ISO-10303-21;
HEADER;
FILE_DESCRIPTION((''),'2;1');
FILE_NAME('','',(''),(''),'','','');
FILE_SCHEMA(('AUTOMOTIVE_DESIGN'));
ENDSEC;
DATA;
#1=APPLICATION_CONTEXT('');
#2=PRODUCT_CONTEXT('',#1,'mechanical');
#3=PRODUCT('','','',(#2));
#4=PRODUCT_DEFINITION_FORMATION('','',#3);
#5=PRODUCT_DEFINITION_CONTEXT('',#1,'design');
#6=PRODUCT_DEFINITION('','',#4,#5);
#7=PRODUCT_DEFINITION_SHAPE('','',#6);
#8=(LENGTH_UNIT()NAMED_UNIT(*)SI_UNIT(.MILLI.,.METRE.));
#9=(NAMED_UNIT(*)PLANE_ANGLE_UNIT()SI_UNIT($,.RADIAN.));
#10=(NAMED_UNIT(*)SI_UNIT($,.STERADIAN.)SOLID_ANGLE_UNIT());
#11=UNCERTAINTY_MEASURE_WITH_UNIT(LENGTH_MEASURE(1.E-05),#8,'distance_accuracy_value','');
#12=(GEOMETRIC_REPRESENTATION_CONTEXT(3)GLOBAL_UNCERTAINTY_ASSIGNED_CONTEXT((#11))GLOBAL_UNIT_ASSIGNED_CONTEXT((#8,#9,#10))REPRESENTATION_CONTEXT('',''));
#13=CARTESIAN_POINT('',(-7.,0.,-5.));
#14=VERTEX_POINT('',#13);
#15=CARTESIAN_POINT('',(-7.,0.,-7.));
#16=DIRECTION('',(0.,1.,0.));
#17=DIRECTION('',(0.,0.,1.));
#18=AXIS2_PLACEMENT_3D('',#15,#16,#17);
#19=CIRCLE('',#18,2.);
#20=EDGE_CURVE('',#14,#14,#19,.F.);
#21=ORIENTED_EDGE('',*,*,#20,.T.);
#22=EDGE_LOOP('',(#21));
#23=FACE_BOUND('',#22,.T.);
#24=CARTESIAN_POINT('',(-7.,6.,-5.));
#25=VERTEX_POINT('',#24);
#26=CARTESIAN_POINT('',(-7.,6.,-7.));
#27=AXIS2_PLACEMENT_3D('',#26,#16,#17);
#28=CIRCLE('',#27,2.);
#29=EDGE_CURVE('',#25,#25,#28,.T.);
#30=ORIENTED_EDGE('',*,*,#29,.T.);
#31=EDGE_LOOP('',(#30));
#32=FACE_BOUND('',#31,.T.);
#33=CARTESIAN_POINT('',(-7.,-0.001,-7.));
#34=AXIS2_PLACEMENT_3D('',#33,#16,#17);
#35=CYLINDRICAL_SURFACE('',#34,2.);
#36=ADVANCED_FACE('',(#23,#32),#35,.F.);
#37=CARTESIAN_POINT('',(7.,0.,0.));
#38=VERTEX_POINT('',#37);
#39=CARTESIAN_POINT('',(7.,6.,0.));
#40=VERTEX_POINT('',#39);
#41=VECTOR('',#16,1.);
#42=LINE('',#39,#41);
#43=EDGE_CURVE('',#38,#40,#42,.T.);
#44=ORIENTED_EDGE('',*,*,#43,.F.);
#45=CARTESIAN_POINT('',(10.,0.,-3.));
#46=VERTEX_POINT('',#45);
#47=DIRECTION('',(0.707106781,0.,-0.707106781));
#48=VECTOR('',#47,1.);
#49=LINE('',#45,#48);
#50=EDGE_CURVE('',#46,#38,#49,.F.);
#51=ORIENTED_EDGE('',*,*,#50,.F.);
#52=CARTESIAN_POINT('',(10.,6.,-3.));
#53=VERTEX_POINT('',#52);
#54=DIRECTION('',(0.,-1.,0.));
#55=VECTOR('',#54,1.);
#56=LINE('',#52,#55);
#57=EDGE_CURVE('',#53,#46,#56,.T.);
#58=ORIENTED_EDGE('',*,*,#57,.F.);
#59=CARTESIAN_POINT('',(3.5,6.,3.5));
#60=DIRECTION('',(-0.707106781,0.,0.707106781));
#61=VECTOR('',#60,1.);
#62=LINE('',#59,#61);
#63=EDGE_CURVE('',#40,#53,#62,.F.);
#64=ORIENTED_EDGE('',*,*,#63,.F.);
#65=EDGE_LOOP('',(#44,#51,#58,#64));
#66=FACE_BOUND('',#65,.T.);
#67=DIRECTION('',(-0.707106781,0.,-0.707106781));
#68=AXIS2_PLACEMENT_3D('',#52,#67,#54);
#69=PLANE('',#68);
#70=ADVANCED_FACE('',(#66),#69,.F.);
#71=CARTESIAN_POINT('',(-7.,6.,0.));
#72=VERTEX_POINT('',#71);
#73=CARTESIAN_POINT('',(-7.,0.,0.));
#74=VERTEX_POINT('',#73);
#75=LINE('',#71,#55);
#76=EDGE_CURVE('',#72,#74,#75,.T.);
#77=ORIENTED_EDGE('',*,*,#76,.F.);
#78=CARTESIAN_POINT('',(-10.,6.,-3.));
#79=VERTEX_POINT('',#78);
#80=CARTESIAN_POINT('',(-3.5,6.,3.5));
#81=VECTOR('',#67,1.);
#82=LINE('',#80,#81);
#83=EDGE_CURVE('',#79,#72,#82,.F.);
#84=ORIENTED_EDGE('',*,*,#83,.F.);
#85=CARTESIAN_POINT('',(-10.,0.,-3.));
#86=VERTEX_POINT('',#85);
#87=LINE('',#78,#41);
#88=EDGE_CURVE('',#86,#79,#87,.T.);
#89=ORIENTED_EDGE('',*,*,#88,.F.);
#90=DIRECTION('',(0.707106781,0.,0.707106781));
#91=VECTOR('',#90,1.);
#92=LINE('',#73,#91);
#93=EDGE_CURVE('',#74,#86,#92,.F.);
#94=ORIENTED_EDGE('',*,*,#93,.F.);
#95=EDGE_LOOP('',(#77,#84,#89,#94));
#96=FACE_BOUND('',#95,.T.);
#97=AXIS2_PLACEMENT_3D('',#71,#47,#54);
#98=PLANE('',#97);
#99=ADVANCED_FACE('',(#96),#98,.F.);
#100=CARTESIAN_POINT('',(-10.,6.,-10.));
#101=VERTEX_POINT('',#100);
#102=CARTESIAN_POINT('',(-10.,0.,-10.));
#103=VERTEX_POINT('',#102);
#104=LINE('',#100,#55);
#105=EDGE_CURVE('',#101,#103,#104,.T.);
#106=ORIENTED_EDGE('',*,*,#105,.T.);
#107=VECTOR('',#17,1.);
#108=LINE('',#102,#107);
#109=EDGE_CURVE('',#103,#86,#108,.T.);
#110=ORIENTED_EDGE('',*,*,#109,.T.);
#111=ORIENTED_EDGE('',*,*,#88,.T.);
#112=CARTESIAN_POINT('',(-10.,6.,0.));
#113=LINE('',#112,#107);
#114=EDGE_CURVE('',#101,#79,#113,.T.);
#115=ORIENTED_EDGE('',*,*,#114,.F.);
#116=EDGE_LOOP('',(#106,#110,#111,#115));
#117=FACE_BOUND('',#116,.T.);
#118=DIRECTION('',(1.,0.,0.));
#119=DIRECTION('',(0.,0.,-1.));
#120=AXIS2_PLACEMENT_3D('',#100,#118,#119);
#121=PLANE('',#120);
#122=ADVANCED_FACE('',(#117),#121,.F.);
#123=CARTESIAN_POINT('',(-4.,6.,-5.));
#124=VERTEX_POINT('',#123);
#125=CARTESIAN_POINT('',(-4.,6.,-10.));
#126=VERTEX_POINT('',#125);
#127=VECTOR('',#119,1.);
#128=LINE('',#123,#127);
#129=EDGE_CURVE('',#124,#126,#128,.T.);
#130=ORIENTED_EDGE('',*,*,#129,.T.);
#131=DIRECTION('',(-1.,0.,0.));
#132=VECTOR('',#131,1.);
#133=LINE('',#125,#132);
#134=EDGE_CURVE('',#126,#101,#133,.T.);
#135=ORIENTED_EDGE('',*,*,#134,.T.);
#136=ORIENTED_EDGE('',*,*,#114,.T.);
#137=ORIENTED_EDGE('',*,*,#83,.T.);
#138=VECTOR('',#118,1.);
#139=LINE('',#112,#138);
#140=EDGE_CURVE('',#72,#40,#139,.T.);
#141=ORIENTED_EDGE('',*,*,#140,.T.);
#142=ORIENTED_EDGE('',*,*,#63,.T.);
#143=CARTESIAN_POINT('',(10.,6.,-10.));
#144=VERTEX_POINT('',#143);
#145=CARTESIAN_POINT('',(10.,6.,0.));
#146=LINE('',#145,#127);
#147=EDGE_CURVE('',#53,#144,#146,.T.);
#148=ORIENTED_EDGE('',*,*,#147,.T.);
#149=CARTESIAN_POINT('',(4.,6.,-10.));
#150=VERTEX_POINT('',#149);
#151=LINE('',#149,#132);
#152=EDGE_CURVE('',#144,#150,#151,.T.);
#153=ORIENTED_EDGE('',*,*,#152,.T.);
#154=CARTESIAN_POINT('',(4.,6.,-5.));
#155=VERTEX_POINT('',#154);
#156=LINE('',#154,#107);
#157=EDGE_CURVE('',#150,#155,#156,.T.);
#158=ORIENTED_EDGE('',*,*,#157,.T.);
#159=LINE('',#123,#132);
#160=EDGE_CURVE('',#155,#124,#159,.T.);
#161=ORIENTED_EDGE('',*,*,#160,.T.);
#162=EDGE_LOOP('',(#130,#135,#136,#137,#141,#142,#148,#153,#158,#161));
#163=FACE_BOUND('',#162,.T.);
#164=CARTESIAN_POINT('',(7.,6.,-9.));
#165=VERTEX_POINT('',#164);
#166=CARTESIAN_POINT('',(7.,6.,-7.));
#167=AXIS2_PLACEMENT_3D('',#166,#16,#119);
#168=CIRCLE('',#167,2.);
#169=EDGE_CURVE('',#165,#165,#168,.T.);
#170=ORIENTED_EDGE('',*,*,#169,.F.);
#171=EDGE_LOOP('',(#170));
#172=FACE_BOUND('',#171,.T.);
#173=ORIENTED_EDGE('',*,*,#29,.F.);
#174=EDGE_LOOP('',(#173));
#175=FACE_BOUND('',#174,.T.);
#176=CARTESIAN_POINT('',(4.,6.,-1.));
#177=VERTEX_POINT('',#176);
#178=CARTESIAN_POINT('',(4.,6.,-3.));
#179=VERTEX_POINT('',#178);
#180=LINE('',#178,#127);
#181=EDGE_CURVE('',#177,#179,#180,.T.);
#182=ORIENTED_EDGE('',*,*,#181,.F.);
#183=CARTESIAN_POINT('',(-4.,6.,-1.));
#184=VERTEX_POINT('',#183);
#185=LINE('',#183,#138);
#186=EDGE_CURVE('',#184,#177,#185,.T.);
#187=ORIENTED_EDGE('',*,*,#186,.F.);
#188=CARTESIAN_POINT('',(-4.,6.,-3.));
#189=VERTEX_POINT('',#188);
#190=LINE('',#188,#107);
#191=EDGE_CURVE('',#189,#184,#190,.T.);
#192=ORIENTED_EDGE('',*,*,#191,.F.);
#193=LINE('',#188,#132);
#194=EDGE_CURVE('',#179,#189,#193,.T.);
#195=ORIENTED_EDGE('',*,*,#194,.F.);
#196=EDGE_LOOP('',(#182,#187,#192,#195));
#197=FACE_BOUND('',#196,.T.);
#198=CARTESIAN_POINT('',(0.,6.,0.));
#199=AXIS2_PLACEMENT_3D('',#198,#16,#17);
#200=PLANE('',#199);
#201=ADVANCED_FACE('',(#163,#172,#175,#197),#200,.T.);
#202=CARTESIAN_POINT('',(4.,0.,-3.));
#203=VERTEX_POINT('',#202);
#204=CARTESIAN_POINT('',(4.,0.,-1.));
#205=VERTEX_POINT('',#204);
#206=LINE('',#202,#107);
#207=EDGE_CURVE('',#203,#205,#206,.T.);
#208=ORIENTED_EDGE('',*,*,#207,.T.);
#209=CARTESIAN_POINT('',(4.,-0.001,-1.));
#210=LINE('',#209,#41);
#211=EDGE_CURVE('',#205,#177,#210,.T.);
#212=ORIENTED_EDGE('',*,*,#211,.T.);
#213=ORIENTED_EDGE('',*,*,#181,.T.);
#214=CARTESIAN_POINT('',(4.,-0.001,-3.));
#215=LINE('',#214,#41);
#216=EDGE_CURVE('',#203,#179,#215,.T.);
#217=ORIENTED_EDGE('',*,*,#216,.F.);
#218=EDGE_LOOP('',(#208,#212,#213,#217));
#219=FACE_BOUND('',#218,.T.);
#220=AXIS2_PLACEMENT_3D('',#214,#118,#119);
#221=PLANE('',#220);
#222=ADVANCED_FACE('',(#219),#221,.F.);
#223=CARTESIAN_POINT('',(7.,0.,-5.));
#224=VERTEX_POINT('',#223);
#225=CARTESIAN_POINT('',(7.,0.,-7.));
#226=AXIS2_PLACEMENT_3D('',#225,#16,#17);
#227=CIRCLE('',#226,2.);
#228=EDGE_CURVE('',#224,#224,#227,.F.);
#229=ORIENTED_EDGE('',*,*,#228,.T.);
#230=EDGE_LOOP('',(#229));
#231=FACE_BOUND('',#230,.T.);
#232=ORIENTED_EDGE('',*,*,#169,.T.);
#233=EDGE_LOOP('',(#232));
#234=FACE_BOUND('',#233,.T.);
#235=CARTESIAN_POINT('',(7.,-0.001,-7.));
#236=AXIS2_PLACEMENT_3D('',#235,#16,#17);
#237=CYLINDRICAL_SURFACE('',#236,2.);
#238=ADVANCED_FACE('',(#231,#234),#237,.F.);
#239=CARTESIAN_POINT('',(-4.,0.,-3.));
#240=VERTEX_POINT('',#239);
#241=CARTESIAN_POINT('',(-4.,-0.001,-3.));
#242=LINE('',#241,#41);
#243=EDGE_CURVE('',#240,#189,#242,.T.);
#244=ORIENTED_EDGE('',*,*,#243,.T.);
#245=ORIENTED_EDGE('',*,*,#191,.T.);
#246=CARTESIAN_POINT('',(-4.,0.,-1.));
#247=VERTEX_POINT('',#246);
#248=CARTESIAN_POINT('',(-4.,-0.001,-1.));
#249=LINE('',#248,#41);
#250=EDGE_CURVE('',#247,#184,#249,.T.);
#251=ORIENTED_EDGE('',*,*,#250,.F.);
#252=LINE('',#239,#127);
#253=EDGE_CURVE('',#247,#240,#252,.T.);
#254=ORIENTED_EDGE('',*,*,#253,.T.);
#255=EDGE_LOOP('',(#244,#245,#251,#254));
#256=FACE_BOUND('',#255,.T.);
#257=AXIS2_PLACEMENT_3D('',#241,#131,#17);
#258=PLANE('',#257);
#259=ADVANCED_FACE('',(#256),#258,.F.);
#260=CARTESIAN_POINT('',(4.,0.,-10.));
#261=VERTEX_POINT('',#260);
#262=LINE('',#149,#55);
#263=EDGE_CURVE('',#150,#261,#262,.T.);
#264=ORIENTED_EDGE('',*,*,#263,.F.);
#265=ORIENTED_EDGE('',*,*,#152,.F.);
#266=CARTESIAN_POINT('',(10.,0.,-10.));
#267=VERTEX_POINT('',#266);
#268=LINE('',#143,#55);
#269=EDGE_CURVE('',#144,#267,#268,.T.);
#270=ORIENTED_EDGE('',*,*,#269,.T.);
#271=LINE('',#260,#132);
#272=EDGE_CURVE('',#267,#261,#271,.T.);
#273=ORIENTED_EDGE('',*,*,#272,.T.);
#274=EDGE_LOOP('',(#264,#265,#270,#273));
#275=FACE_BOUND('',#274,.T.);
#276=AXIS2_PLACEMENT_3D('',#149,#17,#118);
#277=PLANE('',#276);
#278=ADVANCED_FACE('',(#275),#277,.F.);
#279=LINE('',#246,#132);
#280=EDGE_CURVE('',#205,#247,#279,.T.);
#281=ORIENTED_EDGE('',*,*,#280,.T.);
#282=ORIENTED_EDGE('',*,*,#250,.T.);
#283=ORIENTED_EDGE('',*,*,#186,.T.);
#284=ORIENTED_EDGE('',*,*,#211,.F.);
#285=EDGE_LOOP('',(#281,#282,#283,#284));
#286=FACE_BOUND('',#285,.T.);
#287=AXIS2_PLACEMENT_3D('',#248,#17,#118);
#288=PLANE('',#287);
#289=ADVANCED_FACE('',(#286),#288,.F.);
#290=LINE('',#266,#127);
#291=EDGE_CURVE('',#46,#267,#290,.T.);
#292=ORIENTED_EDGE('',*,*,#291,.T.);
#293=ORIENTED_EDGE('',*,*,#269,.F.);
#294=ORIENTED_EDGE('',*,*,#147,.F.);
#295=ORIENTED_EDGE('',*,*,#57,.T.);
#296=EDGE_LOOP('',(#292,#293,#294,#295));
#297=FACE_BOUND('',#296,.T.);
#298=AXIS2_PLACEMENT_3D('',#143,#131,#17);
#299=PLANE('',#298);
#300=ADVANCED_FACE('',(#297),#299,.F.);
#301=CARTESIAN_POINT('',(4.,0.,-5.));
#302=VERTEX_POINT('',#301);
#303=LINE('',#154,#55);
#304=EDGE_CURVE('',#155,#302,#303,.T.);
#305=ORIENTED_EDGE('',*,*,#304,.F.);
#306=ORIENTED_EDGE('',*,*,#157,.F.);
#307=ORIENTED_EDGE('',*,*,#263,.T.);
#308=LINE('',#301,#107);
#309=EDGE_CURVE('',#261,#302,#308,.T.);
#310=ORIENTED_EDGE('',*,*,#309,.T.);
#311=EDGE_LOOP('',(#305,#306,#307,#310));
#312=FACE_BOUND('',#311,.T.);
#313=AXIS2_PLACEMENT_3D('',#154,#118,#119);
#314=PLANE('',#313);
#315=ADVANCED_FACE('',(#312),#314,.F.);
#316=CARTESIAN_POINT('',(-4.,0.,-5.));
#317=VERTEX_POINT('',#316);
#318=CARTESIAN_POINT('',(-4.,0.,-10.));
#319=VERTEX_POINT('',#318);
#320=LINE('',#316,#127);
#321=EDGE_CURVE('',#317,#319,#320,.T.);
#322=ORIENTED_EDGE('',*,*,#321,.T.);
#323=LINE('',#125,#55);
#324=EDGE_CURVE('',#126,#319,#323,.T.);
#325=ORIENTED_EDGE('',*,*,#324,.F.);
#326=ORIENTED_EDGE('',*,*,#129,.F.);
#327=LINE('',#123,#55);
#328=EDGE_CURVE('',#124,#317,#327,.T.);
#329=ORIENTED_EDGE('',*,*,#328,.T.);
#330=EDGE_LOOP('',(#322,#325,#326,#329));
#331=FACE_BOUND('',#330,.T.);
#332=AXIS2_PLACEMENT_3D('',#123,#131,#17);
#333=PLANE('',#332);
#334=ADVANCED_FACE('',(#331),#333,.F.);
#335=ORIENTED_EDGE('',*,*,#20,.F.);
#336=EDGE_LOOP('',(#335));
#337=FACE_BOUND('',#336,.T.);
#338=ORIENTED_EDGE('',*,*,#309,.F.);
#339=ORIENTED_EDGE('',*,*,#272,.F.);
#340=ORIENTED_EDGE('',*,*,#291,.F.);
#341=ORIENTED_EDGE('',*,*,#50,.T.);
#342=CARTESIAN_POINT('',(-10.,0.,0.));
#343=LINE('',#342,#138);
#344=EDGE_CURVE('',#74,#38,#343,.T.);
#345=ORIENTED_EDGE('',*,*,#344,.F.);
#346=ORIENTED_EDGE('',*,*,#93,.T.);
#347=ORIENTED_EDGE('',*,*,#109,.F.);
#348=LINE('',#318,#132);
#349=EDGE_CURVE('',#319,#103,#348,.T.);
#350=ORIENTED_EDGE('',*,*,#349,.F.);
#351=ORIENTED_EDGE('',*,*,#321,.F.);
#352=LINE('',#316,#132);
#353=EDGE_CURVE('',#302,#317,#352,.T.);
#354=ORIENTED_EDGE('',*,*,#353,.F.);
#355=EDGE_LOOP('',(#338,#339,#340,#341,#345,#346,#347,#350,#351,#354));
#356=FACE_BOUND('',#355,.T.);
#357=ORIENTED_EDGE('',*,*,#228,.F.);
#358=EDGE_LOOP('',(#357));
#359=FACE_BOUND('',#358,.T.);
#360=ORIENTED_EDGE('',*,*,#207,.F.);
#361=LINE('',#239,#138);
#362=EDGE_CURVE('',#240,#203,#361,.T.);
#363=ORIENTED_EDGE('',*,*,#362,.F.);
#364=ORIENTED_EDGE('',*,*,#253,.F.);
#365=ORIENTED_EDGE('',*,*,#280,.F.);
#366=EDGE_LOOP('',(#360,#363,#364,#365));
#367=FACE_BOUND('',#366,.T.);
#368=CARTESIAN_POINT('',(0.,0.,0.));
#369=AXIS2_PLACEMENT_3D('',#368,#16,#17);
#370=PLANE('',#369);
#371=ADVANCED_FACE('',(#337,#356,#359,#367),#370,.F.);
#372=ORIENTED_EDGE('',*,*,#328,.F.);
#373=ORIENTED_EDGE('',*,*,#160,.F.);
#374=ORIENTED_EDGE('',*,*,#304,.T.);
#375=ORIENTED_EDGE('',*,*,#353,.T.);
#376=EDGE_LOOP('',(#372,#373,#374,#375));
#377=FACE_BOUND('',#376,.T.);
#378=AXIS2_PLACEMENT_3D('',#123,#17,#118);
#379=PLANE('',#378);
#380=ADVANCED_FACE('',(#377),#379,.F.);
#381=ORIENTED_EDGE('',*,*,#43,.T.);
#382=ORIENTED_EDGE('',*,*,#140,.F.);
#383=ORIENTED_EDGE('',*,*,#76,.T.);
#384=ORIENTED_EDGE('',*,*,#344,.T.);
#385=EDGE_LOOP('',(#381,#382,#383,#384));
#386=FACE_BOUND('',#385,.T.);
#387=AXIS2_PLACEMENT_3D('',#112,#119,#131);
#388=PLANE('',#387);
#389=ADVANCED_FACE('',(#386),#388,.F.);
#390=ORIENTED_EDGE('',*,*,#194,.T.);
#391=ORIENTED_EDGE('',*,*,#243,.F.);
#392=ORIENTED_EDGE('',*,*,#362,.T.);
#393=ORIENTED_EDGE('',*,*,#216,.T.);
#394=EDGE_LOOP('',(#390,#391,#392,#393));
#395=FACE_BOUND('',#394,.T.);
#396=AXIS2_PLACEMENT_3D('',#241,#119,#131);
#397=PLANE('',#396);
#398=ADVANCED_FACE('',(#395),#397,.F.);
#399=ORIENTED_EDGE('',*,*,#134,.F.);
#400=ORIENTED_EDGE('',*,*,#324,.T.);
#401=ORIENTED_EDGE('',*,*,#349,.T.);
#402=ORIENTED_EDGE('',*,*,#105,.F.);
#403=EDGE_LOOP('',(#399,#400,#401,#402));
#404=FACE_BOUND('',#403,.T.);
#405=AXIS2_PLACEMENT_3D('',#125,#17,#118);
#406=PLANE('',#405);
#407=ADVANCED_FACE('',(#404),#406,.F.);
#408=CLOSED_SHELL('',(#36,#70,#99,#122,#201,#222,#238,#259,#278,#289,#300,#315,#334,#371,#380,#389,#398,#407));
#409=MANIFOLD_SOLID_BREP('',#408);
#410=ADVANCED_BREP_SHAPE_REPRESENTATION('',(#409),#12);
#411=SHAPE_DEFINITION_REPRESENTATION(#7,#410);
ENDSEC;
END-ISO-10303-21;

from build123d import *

# Parameters (mm, degrees)
EXTRUDE_1_DEPTH     = 6
CUT_EXTRUDE_3_REACH = 8
SKETCH_2_R          = 2
SKETCH_2_W          = 8
SKETCH_2_H          = 2
CHAMFER_1_SIZE      = 3


with BuildPart() as part:
    # 草图1 → 凸台-拉伸1 (new body)
    with BuildSketch(Plane(origin=(0, 0, 0), x_dir=(1, 0, 0), z_dir=(0, 1, 0))):
        Polygon((-4, 5), (-4, 10), (-10, 10), (-10, 5), (-10, 0), (10, 0), (10, 5), (10, 10), (4, 10), (4, 5), align=None)
    extrude(amount=EXTRUDE_1_DEPTH)

    # 草图2 → 切除-拉伸3 (cut, up to next)
    with BuildSketch(Plane(origin=(0, 6, 0), x_dir=(1, 0, 0), z_dir=(0, 1, 0)), mode=Mode.PRIVATE) as cut_extrude_3_sk1:
        with Locations((-7, 7)):
            Circle(SKETCH_2_R)
    cut_extrude_3_tool1 = extrude(cut_extrude_3_sk1.sketch, amount=-CUT_EXTRUDE_3_REACH, mode=Mode.PRIVATE) & part.part
    add(cut_extrude_3_tool1.solids().sort_by_distance((-7, 6, -7))[0], mode=Mode.SUBTRACT)
    # 草图2 → 切除-拉伸3 (cut, up to next)
    with BuildSketch(Plane(origin=(0, 6, 0), x_dir=(1, 0, 0), z_dir=(0, 1, 0)), mode=Mode.PRIVATE) as cut_extrude_3_sk2:
        with Locations((7, 7)):
            Circle(SKETCH_2_R)
    cut_extrude_3_tool2 = extrude(cut_extrude_3_sk2.sketch, amount=-CUT_EXTRUDE_3_REACH, mode=Mode.PRIVATE) & part.part
    add(cut_extrude_3_tool2.solids().sort_by_distance((7, 6, -7))[0], mode=Mode.SUBTRACT)
    # 草图2 → 切除-拉伸3 (cut, up to next)
    with BuildSketch(Plane(origin=(0, 6, 0), x_dir=(1, 0, 0), z_dir=(0, 1, 0)), mode=Mode.PRIVATE) as cut_extrude_3_sk3:
        with Locations((0, 2)):
            Rectangle(SKETCH_2_W, SKETCH_2_H)
    cut_extrude_3_tool3 = extrude(cut_extrude_3_sk3.sketch, amount=-CUT_EXTRUDE_3_REACH, mode=Mode.PRIVATE) & part.part
    add(cut_extrude_3_tool3.solids().sort_by_distance((0, 6, -2))[0], mode=Mode.SUBTRACT)

    # 倒角1
    chamfer_1_edges = [part.edges().sort_by_distance(p)[0] for p in [
        (10, 3, 0),
        (-10, 3, 0),
    ]]
    chamfer(chamfer_1_edges, length=CHAMFER_1_SIZE)


solid = part.part
